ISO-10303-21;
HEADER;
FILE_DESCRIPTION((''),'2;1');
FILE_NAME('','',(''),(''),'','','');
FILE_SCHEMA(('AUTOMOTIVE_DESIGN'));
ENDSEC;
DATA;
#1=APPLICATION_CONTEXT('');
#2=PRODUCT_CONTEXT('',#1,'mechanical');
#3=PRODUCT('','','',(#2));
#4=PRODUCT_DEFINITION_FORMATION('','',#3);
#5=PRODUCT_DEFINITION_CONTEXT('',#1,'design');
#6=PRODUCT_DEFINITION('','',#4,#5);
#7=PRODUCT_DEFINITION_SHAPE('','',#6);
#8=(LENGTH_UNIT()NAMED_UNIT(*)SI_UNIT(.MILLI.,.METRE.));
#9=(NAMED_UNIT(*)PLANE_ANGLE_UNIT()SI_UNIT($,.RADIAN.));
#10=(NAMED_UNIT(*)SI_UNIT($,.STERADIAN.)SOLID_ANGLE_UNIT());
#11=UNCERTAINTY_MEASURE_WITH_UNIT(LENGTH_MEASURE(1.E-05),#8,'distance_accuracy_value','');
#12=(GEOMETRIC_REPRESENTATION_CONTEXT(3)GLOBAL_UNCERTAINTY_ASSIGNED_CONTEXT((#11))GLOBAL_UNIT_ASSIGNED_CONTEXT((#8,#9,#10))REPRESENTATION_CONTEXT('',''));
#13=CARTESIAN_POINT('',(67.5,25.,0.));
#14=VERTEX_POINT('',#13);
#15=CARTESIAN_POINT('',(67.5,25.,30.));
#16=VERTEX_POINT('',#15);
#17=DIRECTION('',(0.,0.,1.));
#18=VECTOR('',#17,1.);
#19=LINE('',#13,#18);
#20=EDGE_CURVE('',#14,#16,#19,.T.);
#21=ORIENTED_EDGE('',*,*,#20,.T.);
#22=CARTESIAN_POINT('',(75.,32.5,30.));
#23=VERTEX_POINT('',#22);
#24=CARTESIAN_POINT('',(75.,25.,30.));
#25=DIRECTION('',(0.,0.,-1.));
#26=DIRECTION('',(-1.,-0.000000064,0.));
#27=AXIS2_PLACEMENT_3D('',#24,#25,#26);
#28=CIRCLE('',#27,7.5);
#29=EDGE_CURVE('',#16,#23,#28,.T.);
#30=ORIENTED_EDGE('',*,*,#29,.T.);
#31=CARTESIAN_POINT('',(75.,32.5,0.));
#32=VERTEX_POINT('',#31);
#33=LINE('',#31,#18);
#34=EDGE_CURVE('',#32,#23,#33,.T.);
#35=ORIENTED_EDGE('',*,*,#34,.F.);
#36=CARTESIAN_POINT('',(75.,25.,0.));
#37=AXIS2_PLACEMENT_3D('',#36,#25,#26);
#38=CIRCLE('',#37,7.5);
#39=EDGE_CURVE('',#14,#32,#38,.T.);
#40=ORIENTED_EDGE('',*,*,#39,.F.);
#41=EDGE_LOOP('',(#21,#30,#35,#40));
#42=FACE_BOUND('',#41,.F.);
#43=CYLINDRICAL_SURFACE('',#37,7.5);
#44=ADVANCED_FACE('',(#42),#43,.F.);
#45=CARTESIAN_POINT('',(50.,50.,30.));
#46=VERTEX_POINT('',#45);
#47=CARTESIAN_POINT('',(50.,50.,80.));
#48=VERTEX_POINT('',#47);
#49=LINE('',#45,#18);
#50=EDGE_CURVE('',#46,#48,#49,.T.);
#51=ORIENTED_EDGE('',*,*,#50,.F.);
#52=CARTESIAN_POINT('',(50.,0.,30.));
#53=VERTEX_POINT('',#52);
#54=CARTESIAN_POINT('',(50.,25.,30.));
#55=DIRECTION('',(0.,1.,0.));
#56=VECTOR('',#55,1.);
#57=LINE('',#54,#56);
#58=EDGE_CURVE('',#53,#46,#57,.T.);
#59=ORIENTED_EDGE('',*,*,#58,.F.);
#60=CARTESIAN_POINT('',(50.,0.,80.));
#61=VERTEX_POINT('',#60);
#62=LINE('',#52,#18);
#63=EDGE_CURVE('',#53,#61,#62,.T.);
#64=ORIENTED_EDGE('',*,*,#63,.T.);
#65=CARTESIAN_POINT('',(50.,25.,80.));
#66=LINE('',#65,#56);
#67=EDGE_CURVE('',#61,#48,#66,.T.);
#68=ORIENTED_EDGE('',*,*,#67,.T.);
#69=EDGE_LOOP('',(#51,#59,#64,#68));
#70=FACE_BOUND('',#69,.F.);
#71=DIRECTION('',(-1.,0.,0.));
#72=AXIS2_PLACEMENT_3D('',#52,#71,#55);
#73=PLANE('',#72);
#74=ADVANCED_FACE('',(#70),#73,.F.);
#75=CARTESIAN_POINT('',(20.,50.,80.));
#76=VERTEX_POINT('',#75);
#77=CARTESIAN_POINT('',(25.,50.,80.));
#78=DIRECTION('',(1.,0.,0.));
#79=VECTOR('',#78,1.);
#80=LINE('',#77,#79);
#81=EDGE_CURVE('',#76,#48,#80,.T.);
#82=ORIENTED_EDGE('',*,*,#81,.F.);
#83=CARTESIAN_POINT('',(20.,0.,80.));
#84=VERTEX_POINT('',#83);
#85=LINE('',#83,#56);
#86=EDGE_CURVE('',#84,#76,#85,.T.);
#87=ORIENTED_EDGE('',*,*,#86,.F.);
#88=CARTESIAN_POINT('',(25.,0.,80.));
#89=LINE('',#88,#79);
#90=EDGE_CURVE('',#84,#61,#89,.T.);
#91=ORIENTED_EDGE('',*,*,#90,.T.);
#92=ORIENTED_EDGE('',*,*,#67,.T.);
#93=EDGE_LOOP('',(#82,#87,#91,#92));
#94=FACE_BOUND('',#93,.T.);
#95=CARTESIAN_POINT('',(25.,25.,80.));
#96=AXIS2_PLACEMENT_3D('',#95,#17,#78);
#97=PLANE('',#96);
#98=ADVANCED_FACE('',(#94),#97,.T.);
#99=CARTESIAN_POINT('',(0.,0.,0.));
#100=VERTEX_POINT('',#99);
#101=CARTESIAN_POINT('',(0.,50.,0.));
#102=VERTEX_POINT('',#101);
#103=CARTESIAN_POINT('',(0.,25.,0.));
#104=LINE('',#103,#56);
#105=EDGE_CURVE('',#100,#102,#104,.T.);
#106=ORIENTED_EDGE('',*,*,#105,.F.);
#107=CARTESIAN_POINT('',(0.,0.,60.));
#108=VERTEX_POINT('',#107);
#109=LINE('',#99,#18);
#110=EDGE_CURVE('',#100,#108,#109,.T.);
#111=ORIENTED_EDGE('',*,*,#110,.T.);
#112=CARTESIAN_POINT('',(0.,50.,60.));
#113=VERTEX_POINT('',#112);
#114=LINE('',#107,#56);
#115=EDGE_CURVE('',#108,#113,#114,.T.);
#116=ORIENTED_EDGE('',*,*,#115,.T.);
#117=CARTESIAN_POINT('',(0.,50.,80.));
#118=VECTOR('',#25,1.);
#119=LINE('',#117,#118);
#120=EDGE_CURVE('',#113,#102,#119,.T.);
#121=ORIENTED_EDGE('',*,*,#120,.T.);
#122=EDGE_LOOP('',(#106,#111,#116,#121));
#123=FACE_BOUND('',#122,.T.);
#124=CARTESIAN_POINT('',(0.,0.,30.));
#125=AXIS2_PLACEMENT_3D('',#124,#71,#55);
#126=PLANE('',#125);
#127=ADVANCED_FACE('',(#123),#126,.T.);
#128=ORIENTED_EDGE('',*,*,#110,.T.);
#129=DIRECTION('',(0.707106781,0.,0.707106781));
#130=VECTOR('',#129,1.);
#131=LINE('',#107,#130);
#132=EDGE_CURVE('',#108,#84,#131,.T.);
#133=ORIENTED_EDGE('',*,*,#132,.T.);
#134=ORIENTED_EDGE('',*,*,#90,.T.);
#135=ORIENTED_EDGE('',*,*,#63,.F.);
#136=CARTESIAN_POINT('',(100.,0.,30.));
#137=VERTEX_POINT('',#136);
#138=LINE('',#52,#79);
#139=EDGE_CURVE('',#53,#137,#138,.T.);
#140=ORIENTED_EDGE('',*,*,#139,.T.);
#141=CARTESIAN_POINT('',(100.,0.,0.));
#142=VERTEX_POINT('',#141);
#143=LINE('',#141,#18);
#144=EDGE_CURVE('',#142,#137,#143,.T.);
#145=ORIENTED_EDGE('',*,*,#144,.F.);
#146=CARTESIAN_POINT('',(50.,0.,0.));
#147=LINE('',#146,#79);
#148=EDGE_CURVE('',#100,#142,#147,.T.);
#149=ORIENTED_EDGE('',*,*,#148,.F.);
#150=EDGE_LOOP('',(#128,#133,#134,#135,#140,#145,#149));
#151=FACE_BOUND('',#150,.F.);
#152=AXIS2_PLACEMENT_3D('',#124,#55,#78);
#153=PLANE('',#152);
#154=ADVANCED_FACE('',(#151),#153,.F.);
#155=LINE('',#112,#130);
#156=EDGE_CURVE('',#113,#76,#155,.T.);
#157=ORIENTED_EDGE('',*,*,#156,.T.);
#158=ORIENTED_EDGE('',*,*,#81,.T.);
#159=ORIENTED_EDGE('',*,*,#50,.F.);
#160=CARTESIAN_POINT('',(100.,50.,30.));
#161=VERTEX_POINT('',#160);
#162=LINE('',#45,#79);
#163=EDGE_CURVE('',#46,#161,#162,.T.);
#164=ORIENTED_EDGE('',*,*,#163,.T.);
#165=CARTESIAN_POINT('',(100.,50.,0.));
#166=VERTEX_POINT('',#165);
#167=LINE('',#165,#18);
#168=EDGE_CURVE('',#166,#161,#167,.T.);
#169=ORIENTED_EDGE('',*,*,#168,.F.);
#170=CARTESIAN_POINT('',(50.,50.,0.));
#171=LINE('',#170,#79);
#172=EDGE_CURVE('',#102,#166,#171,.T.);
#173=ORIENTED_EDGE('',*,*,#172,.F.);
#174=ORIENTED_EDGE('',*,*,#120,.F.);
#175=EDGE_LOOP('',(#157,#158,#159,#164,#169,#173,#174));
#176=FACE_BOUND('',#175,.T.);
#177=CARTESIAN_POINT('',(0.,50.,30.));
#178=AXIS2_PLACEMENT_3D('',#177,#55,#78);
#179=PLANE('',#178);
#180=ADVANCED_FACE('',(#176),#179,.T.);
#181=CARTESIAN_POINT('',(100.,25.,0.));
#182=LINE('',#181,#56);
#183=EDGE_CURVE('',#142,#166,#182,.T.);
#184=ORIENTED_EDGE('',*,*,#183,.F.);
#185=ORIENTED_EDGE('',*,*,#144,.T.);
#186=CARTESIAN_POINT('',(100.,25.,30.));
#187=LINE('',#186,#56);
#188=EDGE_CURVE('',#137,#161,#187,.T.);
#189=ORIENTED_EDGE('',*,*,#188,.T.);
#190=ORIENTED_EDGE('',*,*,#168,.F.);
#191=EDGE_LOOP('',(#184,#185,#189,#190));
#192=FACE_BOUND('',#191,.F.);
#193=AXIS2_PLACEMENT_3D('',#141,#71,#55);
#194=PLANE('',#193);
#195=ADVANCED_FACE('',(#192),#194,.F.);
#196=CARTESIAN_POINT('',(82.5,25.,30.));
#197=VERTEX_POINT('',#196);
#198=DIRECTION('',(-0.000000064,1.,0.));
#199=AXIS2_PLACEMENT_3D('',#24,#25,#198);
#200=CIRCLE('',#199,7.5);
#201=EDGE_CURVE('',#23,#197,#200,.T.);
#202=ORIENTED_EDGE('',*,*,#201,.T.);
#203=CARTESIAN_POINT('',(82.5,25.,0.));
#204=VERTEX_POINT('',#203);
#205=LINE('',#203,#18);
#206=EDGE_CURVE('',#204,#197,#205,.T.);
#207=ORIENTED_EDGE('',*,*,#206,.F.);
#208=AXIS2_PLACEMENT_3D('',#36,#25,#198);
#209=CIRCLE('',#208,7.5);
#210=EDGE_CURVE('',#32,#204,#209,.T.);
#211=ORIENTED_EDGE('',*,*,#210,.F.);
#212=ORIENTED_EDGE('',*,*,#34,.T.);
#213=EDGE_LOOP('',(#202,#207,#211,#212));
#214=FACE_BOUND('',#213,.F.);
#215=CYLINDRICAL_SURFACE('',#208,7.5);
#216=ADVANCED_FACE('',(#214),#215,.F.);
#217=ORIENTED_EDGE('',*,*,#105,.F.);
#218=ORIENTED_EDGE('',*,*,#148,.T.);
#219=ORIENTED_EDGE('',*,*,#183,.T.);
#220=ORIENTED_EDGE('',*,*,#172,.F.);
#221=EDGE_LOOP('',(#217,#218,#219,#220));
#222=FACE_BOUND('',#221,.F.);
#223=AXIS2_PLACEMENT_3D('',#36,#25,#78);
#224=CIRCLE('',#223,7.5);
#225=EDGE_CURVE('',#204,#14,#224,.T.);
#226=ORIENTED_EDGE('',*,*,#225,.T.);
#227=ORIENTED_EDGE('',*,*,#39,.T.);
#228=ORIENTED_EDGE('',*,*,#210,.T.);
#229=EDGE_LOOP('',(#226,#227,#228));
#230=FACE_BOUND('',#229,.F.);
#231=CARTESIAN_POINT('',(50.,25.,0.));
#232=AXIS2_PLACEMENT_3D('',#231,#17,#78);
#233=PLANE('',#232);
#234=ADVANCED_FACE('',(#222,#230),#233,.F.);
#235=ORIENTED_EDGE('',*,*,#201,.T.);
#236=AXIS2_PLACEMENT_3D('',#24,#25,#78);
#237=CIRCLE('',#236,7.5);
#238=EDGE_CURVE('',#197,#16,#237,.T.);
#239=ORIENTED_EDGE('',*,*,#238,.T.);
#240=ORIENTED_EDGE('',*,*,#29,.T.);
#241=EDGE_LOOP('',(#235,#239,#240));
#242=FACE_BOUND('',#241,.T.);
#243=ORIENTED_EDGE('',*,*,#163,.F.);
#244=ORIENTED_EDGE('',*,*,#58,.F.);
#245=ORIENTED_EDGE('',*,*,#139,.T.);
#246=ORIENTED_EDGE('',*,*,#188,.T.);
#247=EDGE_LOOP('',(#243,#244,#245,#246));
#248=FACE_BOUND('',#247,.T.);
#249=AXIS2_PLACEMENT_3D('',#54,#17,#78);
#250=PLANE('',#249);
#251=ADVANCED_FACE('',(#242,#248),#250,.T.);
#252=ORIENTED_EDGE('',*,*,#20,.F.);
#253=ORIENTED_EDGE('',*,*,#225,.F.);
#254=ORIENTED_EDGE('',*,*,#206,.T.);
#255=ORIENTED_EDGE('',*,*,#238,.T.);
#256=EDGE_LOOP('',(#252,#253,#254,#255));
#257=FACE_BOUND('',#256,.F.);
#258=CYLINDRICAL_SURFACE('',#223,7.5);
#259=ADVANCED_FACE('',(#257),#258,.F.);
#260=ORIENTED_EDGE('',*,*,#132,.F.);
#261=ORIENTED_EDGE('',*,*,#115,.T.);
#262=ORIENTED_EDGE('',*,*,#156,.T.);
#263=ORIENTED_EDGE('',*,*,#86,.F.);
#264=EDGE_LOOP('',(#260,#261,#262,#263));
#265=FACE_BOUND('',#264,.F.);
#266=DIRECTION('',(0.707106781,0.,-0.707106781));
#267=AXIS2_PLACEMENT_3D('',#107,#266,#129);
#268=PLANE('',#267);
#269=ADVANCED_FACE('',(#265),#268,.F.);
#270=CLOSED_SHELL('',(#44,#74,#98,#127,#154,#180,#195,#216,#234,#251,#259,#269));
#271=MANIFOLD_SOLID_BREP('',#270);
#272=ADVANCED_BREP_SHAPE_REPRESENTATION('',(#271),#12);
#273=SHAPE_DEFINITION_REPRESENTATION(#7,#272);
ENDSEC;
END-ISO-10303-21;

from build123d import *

# Parameters (mm, degrees)
F0_W     = 100
F0_H     = 50
F1_DEPTH = 30
F2_W     = 50
F2_H     = 50
F3_DEPTH = 50
F5_DEPTH = 50
F7_DEPTH = 30


with BuildPart() as f1:
    # F0 (on Top) → F1 (new body)
    with BuildSketch(Plane.XY):
        with Locations((50, 25)):
            Rectangle(F0_W, F0_H)
    extrude(amount=F1_DEPTH)

    # F2 (on face) → F3 (join)
    with BuildSketch(Plane.XY.offset(30)):
        with Locations((25, 25)):
            Rectangle(F2_W, F2_H)
    extrude(amount=F3_DEPTH)

    # F4 (on face) → F5 (cut, through all)
    with BuildSketch(Plane.XZ):
        Polygon((20, 80), (0, 80), (0, 60), align=None)
    extrude(amount=-F5_DEPTH, mode=Mode.SUBTRACT)

    # F6 (on face) → F7 (cut, through all)
    with BuildSketch(Plane(origin=(0, 0, 0), x_dir=(1, 0, 0), z_dir=(0, 0, -1))):
        with BuildLine():
            Line((75, -25), (67.5, -25))
            ThreePointArc((67.5, -25), (69.696699, -30.303301), (75, -32.5))
            Line((75, -32.5), (75, -25))
        make_face()
        with BuildLine():
            ThreePointArc((82.5, -25), (75, -17.5), (67.5, -25))
            Line((67.5, -25), (75, -25))
            Line((75, -25), (75, -32.5))
            ThreePointArc((75, -32.5), (80.303301, -30.303301), (82.5, -25))
        make_face()
    extrude(amount=-F7_DEPTH, mode=Mode.SUBTRACT)


solid = f1.part
